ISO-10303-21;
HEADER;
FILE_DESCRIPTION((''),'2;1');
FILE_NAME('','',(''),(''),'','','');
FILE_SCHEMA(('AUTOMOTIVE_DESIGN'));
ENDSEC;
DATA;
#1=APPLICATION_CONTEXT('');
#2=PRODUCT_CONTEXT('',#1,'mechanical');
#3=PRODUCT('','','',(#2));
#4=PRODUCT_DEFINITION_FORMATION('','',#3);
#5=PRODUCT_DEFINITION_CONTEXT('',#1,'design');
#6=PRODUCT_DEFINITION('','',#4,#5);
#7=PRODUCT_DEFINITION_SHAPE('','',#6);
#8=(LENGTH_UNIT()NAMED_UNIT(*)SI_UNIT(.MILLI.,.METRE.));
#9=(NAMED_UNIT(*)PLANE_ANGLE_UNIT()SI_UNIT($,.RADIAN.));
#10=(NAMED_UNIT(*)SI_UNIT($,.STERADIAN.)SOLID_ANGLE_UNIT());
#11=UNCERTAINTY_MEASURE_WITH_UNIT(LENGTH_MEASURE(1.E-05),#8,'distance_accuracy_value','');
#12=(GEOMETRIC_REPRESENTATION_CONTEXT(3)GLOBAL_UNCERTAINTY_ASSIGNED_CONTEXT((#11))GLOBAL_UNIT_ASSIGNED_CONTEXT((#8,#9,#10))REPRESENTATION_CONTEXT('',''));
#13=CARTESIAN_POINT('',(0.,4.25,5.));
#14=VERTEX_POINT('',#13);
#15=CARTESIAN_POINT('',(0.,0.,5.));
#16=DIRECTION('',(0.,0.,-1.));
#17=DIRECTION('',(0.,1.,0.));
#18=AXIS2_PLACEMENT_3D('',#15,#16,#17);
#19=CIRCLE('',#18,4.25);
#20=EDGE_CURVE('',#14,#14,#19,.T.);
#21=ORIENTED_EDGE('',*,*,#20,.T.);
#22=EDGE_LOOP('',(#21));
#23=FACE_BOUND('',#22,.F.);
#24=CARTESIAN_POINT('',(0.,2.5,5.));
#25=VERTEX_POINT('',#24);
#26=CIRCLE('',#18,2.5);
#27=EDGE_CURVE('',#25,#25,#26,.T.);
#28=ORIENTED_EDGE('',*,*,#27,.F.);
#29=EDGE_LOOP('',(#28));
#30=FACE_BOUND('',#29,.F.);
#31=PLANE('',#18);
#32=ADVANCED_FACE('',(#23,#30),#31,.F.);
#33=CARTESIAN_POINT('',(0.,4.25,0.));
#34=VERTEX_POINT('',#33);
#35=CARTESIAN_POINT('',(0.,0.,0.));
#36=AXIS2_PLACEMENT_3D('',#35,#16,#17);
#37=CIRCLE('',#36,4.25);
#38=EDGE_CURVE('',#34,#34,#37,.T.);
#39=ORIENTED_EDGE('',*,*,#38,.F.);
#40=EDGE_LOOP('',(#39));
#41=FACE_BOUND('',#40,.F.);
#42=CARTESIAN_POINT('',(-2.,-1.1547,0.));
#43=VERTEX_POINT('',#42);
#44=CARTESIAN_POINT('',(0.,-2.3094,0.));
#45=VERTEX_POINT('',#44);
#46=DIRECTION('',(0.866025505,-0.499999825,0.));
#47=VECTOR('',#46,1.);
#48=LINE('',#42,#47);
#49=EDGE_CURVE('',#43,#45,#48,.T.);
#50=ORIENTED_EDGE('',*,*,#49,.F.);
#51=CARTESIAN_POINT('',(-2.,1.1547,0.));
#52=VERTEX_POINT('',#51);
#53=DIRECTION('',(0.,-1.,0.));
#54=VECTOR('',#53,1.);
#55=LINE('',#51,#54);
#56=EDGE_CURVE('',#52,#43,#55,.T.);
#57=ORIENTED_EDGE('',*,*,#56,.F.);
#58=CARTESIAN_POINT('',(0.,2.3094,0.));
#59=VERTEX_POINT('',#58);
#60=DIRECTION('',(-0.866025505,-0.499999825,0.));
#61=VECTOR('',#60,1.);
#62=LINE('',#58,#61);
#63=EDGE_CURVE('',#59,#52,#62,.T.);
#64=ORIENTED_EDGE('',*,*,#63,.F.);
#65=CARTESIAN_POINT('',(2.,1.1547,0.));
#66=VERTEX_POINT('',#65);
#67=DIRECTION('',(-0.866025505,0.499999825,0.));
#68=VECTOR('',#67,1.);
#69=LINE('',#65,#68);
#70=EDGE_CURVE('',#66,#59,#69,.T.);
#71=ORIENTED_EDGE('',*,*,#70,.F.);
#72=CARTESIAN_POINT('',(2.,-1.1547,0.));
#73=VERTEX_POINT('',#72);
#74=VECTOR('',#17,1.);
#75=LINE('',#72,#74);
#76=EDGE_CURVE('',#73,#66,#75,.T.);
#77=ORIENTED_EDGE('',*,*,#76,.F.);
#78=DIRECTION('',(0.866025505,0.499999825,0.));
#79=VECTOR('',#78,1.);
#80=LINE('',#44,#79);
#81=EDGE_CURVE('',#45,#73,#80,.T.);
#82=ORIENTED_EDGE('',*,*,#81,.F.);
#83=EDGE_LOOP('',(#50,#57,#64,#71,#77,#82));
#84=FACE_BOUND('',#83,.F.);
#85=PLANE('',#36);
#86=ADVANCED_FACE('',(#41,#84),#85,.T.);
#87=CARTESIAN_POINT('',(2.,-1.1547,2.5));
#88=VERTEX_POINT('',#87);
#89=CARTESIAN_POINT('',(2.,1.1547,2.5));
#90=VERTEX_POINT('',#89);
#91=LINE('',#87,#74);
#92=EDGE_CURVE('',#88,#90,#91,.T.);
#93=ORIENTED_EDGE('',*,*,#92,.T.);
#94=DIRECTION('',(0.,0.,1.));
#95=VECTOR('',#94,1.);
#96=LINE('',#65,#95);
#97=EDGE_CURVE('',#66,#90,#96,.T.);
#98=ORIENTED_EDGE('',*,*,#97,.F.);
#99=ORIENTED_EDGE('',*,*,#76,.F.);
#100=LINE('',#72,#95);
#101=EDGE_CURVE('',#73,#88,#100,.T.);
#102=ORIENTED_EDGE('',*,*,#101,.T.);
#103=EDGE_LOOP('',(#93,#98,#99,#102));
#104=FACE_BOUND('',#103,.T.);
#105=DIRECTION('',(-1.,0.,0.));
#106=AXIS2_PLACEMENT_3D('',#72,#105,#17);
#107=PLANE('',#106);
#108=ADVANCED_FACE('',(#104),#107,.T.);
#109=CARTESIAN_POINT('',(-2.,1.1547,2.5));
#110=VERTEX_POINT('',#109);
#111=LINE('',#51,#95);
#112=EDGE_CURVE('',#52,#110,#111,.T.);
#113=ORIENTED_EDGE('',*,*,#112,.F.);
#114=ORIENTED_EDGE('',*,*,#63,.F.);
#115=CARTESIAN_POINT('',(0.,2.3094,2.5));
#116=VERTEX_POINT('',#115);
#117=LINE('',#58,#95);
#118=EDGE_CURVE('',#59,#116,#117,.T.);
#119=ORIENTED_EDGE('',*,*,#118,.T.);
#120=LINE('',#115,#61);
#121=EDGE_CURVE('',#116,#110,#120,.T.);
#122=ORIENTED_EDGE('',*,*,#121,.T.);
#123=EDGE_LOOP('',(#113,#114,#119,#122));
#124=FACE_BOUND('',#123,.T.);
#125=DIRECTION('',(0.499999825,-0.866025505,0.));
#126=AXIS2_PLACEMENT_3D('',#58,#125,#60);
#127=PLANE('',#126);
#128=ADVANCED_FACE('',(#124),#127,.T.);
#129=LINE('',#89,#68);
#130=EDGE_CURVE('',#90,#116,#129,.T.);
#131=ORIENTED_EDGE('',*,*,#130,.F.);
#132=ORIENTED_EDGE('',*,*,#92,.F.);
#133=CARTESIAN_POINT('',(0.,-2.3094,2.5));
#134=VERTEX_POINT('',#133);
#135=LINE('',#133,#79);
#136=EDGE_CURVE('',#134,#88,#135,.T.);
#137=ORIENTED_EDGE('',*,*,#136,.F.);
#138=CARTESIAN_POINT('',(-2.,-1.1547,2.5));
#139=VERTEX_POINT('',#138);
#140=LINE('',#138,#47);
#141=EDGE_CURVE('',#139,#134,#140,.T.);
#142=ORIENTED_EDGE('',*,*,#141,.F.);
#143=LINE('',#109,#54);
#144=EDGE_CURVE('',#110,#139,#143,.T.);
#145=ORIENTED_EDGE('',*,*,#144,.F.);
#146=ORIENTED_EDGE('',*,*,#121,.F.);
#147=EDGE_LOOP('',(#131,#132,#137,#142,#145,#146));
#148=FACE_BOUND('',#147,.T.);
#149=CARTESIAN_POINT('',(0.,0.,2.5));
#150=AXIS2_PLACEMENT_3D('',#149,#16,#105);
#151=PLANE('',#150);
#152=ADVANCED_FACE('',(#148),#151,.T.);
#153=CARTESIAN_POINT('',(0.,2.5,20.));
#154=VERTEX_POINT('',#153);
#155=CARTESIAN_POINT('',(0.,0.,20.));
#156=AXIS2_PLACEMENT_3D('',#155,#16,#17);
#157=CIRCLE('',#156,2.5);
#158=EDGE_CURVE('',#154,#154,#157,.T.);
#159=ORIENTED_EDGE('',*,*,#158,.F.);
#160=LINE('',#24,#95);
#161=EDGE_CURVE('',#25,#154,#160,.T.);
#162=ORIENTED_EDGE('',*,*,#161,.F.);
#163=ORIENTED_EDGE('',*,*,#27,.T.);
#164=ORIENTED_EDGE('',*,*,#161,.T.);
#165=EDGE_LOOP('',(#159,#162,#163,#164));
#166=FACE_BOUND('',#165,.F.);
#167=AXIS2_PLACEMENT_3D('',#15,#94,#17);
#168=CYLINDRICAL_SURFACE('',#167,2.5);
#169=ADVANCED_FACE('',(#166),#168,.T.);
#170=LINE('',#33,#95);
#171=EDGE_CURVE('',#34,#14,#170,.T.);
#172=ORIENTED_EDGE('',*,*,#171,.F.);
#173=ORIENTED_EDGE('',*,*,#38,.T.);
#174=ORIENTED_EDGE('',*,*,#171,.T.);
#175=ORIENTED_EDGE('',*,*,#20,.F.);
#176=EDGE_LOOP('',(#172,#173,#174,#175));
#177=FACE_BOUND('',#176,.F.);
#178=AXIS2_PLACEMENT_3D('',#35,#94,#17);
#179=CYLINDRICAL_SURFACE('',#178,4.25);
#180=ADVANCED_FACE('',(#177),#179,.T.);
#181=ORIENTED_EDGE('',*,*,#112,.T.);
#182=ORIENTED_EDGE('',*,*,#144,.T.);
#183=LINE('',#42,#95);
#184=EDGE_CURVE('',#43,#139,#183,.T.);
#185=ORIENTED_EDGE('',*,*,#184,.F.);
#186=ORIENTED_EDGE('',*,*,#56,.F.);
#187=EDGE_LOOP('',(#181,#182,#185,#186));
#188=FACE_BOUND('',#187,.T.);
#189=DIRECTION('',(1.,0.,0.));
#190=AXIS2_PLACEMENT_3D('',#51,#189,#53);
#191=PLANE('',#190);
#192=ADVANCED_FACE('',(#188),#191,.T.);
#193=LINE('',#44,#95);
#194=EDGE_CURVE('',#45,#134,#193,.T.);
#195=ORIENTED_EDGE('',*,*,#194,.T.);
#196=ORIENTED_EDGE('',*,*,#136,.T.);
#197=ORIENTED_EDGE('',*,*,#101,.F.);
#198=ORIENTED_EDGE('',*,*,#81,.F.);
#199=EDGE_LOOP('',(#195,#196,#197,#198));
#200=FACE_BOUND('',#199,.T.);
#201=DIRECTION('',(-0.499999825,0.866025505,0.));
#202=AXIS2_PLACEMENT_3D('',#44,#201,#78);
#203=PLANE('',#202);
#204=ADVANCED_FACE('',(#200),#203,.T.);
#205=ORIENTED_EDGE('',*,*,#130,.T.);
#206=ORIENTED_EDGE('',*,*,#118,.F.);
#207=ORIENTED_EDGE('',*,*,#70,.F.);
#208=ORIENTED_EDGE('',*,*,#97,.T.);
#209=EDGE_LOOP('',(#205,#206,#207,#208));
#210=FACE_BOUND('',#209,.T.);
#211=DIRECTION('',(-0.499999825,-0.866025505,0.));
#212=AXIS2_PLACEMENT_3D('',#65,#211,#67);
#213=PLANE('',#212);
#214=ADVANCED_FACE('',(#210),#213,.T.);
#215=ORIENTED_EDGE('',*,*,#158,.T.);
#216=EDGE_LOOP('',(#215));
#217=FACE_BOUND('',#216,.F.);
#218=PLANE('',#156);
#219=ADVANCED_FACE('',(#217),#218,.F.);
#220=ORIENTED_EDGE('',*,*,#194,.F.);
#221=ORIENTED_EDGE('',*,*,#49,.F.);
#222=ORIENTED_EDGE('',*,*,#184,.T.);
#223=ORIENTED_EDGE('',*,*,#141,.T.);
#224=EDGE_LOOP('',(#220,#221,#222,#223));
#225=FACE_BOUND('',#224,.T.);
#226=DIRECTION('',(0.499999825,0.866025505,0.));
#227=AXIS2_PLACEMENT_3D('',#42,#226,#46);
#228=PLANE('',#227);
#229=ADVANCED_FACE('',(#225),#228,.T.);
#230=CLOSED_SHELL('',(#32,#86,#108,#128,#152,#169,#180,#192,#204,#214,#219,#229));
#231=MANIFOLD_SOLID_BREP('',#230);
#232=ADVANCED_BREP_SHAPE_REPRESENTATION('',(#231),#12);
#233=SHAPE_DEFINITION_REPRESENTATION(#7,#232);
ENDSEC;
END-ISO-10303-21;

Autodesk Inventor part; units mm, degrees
ref_plane "YZ Plane" through (0, 0, 0) normal (1, 0, 0) x (0, 1, 0)
ref_plane "XZ Plane" through (0, 0, 0) normal (0, 1, 0) x (-1, 0, 0)
ref_plane "XY Plane" through (0, 0, 0) normal (0, 0, 1) x (1, 0, 0)
sketch "スケッチ1" plane through (0, 0, 0) normal (1, 0, 0) x (0, 1, 0)
  line L0 (0, 20) -> (0, 0)
  line L1 (0, 0) -> (4.25, 0)
  line L2 (4.25, 0) -> (4.25, 5)
  line L3 (4.25, 5) -> (2.5, 5)
  line L4 (2.5, 5) -> (2.5, 20)
  line L5 (2.5, 20) -> (0, 20)
  dimension "d2" = 5
  dimension "d10" = 15
  dimension "d11" = 5
  dimension "d12" = 8.5
revolve "回転1" add sketch "スケッチ1" angle 360 about axis through (0, 0, 20) along (0, 0, -1)
thread "ねじ1" size "M5x0.8" class "6g" standard "ANSI Metric M Profile" full length
sketch "スケッチ2" plane through (0, 0, 0) normal (0, 0, -1) x (-1, 0, 0)
  line L0 (0, 2.3094) -> (2, 1.1547)
  line L1 (2, 1.1547) -> (2, -1.1547)
  line L2 (2, -1.1547) -> (0, -2.3094)
  line L3 (0, -2.3094) -> (-2, -1.1547)
  line L4 (-2, -1.1547) -> (-2, 1.1547)
  line L5 (-2, 1.1547) -> (0, 2.3094)
  circle A0 centre (0, 0) radius 4.25 projected
  line L6 (0, 4.25) -> (0, -4.25) construction
  dimension "d7" = 4
extrude "押し出し1" cut sketch "スケッチ2" against normal blind 2.5 contours L0 L1 L2 L3 L4 L5
properties part number "FC-0515EB" material "ステンレス鋼 AISI 304"
